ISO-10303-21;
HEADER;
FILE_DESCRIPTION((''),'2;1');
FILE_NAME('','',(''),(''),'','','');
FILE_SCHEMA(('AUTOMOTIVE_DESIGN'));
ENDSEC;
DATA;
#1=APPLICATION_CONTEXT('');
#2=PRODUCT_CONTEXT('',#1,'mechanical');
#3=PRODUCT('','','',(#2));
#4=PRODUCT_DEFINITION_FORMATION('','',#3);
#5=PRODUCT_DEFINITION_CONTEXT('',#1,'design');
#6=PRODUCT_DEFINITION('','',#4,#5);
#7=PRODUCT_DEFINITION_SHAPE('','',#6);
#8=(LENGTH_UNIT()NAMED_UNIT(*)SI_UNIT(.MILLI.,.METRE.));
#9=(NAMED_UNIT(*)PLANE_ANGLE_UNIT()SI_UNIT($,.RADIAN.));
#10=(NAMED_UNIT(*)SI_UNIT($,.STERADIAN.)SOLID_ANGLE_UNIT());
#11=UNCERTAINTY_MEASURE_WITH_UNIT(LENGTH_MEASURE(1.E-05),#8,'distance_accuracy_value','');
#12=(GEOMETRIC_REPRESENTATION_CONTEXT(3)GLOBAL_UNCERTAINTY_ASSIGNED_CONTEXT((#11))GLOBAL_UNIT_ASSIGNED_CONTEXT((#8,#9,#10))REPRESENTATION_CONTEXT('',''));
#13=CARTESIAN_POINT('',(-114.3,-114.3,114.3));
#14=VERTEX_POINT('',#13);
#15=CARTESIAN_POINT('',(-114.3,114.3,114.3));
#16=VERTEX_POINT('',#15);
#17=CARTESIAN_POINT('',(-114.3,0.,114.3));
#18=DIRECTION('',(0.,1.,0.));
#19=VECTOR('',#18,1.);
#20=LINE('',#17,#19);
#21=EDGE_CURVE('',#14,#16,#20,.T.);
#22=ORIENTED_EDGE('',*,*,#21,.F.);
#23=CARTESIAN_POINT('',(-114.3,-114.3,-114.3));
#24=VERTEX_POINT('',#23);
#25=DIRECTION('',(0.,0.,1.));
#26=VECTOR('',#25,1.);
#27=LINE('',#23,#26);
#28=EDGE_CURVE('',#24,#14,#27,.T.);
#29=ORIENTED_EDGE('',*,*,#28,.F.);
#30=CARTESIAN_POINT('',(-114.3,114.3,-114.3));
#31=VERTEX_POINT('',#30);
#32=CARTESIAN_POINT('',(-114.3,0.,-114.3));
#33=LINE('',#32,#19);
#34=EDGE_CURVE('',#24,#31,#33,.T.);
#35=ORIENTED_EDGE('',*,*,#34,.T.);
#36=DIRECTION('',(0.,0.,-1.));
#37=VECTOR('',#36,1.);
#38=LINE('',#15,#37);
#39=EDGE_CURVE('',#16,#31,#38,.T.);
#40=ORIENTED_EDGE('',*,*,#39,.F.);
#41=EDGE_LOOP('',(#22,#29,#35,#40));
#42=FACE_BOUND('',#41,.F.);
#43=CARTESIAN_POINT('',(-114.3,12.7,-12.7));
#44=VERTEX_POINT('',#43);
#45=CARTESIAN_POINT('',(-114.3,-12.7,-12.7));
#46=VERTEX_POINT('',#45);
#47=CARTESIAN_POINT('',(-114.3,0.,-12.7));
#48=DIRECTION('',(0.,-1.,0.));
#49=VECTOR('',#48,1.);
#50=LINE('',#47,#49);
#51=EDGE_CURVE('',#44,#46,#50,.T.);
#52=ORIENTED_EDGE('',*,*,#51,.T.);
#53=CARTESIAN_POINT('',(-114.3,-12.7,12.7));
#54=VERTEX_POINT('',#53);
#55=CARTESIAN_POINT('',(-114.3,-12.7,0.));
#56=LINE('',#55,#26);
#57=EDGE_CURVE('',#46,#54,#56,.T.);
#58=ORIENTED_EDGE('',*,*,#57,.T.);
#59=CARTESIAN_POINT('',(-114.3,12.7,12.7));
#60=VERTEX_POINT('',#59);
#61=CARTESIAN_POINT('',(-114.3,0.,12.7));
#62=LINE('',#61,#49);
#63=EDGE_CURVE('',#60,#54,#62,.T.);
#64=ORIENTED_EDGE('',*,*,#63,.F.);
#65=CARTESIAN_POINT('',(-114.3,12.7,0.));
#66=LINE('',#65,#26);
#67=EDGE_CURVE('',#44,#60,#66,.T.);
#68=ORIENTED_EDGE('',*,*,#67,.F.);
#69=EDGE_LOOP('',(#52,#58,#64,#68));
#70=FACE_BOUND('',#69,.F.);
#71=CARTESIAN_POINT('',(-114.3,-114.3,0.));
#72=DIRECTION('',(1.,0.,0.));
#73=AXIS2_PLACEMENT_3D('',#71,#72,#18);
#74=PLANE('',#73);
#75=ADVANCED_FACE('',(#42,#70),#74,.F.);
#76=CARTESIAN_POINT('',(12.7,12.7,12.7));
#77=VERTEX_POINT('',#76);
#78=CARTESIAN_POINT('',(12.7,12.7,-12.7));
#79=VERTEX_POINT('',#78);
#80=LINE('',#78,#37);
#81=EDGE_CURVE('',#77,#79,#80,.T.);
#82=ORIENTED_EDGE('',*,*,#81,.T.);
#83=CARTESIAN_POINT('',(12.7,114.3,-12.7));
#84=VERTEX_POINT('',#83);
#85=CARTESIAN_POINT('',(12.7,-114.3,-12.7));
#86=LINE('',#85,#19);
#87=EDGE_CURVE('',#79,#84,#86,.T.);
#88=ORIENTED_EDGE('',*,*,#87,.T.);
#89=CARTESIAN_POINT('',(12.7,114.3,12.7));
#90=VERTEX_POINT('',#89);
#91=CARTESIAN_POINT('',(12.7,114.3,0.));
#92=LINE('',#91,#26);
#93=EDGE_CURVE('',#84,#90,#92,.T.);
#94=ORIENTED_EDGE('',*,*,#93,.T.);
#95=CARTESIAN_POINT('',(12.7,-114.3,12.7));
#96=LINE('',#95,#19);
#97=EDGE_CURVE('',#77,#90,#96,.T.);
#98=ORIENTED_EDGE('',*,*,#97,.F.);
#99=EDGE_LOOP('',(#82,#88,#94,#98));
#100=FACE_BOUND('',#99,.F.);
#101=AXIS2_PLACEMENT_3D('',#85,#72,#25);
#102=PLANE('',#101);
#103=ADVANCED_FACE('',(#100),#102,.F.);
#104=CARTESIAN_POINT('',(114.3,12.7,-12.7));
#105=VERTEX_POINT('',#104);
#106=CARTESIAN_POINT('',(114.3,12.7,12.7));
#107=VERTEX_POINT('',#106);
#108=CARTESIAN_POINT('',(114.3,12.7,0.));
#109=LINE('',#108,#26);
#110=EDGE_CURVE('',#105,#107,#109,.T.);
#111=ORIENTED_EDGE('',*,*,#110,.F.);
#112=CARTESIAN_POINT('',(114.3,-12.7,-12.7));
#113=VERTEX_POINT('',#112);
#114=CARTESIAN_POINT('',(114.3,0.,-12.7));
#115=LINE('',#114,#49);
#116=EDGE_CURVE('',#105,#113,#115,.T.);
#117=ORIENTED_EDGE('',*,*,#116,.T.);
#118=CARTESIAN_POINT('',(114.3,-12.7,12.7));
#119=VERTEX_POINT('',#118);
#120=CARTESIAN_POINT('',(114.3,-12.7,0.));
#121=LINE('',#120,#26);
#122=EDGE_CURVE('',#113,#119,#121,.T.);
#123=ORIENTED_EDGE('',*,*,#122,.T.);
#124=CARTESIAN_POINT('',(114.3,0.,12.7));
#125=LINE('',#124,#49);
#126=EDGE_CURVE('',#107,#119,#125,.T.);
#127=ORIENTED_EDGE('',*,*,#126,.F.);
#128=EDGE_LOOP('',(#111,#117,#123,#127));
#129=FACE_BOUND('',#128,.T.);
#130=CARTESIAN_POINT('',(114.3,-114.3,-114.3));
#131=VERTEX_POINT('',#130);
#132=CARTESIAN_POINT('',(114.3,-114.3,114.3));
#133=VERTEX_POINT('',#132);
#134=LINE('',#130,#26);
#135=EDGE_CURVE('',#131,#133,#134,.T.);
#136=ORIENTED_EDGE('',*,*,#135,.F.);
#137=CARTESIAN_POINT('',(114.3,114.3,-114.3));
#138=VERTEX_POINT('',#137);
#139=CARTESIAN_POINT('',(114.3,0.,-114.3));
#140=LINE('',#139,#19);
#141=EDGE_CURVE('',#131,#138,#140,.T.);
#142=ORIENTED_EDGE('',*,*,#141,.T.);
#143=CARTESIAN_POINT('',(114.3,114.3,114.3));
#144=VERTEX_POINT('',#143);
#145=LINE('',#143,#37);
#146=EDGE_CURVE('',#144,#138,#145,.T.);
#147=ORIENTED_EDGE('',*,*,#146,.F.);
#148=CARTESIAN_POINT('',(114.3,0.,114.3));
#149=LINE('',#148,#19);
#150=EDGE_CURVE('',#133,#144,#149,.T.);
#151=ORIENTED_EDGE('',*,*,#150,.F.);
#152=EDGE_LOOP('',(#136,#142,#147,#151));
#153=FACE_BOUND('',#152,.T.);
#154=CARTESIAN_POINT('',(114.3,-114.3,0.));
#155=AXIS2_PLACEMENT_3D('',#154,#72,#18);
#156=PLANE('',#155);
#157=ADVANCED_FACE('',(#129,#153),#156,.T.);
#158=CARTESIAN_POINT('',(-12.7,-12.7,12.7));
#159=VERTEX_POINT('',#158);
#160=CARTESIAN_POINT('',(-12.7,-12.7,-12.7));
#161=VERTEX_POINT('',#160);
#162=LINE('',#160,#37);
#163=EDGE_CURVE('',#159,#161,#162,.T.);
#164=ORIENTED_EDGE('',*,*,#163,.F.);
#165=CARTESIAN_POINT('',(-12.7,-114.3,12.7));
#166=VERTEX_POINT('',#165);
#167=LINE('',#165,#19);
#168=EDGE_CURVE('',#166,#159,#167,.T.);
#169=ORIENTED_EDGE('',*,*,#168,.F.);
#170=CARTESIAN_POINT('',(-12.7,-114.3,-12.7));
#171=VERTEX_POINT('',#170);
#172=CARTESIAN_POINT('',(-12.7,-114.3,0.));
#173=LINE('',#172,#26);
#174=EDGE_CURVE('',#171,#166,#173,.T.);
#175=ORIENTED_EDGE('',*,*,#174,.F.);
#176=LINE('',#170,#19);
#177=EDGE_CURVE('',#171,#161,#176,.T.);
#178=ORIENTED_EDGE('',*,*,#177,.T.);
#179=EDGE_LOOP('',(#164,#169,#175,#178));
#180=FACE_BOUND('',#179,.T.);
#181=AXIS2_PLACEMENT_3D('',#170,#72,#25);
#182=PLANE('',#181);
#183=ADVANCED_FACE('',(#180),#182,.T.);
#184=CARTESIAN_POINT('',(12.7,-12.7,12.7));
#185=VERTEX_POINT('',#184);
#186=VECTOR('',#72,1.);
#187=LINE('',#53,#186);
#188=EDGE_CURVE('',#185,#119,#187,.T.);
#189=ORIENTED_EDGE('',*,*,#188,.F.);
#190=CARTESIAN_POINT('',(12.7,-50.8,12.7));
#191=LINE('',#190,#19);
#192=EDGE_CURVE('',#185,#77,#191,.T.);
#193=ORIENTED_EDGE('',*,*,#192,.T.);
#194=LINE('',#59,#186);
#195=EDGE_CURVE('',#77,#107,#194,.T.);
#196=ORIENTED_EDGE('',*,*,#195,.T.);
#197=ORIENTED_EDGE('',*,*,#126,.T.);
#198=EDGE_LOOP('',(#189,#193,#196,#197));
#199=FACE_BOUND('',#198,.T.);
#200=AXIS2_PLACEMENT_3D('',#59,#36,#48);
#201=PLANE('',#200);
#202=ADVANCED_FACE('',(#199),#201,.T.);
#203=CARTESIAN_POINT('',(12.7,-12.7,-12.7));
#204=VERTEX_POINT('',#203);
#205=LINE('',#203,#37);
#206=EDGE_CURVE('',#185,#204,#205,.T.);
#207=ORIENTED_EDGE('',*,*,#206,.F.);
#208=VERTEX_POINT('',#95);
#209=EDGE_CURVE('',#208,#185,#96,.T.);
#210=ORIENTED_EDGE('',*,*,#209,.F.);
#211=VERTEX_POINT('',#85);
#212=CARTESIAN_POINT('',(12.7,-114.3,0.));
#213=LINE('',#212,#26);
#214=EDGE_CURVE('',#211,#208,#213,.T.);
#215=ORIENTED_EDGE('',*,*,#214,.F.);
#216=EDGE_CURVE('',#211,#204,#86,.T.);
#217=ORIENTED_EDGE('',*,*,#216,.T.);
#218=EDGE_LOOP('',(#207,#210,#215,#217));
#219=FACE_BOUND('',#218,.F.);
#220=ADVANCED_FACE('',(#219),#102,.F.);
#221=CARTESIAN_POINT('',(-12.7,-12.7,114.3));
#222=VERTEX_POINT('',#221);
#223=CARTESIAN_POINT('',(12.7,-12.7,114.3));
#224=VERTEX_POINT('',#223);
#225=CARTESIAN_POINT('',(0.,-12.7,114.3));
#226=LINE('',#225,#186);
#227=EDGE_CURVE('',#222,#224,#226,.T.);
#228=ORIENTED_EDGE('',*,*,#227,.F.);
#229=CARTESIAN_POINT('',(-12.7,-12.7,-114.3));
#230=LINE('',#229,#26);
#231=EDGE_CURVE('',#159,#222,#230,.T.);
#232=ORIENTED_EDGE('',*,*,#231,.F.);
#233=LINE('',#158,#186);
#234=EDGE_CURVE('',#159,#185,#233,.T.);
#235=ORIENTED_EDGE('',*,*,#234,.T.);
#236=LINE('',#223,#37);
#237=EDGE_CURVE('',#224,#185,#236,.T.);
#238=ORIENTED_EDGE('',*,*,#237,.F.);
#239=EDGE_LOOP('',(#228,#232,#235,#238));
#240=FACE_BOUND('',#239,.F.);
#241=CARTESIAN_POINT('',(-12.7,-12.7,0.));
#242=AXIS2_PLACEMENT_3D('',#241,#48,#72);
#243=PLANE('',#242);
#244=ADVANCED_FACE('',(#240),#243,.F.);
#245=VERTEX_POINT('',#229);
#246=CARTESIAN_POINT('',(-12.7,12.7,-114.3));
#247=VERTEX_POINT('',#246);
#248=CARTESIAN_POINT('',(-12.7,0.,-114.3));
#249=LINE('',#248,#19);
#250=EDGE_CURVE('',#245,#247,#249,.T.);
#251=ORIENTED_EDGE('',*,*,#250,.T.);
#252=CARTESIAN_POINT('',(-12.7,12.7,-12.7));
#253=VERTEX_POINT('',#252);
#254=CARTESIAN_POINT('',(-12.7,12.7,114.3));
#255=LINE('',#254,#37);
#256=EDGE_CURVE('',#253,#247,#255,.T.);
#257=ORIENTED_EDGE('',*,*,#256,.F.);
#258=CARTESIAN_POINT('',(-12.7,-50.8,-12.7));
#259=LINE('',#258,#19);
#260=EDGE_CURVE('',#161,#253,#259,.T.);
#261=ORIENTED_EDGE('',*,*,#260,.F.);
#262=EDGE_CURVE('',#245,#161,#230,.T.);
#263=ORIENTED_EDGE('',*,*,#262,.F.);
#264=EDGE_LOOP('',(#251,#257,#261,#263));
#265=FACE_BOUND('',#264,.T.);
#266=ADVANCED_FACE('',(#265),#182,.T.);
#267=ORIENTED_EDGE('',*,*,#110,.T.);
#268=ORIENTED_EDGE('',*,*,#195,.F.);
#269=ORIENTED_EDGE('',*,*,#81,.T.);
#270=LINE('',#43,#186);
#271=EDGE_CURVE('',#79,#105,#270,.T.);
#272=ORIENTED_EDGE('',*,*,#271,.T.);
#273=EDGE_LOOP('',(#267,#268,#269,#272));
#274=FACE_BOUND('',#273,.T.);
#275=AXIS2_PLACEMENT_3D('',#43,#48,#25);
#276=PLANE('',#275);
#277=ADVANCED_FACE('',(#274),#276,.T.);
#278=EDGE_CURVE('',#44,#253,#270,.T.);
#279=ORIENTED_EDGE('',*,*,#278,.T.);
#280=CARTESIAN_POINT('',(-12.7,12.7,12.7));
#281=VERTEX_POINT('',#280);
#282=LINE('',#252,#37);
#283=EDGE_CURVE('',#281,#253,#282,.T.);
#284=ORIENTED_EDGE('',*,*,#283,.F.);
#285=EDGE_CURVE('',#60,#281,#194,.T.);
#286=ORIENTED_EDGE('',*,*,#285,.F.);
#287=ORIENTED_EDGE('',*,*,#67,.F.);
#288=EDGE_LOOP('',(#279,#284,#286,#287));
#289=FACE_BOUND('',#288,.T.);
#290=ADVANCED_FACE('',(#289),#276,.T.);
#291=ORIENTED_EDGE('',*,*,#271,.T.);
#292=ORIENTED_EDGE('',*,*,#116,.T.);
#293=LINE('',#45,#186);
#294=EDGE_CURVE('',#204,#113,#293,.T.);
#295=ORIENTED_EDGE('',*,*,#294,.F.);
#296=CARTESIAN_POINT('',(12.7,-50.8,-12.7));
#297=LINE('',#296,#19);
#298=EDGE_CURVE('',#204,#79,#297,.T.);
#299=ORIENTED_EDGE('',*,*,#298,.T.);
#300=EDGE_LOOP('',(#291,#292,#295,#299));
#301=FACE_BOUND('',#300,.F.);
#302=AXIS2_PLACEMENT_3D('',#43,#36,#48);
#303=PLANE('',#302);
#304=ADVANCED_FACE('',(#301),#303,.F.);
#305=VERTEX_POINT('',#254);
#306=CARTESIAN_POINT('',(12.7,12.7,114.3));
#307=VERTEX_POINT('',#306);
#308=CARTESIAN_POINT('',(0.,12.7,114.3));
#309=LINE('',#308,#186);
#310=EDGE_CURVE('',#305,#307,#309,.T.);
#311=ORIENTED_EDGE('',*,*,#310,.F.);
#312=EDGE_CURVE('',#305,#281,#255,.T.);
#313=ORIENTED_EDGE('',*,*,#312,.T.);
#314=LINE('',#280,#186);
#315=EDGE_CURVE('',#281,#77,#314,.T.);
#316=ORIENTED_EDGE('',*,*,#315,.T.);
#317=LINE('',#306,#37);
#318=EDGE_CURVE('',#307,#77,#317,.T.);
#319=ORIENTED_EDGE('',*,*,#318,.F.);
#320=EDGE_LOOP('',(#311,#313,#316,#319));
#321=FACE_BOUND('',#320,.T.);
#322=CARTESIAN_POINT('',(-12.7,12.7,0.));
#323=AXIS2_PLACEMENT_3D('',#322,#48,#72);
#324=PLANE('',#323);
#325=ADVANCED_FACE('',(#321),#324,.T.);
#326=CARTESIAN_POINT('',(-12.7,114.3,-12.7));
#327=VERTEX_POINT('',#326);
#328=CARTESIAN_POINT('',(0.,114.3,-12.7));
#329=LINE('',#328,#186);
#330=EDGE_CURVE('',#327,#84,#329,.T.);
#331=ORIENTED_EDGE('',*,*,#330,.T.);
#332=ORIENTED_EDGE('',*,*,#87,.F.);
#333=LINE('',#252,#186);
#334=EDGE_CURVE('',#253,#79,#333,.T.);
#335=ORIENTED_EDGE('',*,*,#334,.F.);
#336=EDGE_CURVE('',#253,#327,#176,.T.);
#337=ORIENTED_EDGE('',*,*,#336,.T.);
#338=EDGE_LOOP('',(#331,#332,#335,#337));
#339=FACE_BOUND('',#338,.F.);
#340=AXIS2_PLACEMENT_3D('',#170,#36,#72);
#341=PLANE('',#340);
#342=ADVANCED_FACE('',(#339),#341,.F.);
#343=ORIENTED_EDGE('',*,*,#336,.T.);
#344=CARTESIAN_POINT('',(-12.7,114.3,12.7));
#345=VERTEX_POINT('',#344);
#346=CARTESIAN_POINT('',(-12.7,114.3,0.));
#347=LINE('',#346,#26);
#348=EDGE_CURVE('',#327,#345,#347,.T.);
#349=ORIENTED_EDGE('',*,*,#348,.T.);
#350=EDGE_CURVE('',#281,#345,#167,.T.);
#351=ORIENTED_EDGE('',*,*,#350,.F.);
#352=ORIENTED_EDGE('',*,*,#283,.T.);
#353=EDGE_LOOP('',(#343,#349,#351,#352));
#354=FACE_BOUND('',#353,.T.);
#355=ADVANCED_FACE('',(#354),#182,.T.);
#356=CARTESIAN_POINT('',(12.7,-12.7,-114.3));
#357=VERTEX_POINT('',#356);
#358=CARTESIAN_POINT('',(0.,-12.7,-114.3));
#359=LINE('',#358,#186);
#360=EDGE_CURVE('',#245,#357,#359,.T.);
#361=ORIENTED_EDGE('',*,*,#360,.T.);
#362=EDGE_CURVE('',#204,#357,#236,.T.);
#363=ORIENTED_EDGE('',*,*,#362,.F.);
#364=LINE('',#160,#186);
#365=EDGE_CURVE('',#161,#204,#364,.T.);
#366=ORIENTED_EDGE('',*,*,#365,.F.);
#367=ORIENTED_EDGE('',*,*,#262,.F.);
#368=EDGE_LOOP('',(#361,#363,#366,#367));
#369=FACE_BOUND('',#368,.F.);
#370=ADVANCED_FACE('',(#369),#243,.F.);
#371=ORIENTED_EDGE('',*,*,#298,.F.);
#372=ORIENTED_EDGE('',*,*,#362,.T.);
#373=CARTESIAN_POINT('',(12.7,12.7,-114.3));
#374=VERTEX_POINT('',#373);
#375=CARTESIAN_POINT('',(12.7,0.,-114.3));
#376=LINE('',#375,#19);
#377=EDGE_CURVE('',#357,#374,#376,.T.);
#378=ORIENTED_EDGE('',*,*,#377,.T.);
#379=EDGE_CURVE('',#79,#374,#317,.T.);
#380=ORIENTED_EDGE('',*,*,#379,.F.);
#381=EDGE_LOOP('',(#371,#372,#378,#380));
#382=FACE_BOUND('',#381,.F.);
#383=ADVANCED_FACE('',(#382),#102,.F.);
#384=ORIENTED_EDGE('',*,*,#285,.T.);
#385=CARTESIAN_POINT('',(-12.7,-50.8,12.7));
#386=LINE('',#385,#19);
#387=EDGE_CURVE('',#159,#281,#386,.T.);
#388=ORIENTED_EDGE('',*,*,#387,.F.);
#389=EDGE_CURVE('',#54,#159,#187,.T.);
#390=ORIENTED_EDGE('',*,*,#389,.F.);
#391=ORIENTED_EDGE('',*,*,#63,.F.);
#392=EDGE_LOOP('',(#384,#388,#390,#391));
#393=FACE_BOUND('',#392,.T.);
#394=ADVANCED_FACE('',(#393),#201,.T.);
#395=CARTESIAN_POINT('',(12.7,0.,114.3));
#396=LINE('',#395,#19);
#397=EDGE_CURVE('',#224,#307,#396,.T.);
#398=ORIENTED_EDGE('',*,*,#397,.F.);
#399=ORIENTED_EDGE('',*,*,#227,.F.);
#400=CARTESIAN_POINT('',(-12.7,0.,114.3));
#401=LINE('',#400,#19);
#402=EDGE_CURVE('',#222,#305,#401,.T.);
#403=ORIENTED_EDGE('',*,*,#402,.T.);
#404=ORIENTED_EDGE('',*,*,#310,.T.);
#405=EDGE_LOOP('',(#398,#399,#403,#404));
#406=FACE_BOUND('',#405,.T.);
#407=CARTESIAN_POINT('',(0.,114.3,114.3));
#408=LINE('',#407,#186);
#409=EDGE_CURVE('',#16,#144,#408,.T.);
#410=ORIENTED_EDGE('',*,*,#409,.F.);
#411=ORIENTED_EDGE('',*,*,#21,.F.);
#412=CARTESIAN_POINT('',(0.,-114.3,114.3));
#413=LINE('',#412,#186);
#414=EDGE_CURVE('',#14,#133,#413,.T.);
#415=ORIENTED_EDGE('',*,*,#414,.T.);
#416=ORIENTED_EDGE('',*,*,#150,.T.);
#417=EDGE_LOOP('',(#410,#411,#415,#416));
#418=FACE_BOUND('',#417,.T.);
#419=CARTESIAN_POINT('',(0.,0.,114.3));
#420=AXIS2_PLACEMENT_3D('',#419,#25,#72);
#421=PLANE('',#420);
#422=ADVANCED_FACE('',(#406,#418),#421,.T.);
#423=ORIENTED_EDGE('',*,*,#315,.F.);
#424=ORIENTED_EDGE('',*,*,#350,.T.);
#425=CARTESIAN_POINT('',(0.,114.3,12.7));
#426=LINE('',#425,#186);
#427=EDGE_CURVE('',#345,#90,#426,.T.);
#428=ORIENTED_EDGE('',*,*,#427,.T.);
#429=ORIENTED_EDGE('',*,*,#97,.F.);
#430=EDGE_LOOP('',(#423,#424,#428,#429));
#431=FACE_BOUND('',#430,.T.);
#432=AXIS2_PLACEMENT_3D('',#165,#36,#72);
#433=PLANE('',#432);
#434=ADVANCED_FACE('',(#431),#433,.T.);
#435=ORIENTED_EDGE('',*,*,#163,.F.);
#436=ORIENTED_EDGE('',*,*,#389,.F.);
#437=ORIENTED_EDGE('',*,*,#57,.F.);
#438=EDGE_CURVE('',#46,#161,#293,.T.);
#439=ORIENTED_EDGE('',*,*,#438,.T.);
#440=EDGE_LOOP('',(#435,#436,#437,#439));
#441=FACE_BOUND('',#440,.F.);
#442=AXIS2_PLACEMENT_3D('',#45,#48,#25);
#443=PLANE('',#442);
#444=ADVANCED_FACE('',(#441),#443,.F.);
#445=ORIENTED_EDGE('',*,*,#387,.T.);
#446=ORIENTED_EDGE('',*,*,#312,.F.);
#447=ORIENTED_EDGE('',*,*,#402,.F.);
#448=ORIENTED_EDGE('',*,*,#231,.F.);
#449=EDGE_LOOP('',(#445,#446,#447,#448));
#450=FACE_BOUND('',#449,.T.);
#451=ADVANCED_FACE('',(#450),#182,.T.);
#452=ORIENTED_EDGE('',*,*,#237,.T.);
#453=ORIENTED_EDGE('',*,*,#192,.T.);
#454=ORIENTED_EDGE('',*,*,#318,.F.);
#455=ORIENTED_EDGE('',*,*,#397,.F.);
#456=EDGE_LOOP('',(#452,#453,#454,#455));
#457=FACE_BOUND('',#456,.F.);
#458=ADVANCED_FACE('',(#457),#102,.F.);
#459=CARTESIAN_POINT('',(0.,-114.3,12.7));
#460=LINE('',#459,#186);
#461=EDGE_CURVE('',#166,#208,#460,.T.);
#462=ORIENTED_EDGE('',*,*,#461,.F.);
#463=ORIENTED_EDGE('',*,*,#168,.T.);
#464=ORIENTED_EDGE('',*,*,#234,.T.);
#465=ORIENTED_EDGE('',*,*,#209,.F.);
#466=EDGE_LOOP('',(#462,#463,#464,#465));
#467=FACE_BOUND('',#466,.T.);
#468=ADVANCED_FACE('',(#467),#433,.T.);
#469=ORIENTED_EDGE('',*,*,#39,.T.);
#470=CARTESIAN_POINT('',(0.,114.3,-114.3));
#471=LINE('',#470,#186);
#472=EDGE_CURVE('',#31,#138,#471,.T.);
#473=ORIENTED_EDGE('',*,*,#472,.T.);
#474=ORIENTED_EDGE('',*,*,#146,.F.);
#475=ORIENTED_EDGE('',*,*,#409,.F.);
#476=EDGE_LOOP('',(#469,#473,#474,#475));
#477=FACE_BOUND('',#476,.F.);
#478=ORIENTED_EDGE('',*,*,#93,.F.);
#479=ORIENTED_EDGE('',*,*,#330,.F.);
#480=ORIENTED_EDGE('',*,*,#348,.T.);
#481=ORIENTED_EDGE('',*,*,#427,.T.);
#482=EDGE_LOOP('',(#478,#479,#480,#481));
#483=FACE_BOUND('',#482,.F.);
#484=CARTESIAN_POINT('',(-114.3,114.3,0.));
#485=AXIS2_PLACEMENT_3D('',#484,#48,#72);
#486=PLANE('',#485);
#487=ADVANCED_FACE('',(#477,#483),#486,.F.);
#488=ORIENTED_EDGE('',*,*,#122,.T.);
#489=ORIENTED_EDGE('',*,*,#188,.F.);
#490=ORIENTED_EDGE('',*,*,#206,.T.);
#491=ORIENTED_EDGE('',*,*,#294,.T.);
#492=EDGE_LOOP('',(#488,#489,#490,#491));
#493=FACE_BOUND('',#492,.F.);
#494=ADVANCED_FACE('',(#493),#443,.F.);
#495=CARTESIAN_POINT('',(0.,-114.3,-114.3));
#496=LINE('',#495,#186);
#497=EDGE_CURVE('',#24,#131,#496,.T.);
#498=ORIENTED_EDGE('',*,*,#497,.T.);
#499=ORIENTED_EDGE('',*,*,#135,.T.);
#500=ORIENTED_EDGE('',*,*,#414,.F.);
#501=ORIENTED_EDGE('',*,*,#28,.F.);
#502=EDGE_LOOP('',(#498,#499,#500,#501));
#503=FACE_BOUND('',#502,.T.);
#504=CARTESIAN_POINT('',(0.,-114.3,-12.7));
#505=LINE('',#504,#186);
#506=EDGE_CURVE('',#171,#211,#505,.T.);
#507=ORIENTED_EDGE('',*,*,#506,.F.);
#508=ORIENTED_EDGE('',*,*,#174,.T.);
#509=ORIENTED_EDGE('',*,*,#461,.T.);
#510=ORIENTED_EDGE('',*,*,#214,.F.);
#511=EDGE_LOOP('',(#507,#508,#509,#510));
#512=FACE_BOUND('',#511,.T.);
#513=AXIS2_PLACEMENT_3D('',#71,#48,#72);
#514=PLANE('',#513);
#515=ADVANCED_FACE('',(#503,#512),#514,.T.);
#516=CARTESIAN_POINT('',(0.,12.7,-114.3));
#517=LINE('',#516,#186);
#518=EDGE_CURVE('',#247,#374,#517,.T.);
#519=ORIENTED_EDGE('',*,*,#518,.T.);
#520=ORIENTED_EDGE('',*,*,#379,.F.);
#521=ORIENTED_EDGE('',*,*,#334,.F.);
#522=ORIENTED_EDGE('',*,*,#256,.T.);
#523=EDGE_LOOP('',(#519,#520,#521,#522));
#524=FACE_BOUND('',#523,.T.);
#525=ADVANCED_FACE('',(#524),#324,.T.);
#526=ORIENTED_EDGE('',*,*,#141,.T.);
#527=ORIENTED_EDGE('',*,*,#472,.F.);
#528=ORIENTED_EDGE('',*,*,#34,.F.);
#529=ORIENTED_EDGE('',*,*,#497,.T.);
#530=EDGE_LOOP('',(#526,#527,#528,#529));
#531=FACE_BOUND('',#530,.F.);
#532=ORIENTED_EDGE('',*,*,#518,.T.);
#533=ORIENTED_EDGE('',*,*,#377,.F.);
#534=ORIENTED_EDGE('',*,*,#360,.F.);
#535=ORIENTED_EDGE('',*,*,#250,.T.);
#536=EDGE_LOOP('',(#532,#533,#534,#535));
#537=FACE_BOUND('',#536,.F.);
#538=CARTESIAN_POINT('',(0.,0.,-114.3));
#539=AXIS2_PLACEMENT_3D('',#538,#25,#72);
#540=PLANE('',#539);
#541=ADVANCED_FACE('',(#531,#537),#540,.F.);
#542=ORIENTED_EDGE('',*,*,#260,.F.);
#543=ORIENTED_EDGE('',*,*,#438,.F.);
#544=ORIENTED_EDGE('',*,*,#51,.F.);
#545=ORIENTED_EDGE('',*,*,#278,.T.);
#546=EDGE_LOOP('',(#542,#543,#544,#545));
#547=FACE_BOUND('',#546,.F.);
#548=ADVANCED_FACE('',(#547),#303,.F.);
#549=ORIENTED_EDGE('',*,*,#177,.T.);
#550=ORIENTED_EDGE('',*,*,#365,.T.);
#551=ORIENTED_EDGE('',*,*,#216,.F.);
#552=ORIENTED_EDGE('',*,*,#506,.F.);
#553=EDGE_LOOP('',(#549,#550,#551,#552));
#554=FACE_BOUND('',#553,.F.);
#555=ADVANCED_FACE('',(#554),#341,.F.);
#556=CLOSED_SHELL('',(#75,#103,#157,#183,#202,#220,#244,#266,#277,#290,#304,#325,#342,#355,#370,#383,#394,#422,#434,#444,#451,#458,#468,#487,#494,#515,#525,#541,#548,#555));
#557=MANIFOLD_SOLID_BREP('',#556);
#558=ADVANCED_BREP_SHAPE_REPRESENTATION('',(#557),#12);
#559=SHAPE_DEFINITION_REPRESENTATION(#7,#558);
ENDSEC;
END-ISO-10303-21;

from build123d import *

# Parameters (mm, degrees)
F0_W     = 228.6
F0_H     = 228.6
F0_W_2   = 25.4
F0_H_2   = 25.4
F1_DEPTH = 114.3
F2_DEPTH = 114.3
F3_W     = 25.4
F3_H     = 25.4
F4_DEPTH = 228.6
F5_W     = 25.4
F5_H     = 25.4
F6_DEPTH = 228.6


with BuildPart() as f1:
    # F0 (on Top) → F1 (new body)
    with BuildSketch(Plane.XY):
        Rectangle(F0_W, F0_H)
        Rectangle(F0_W_2, F0_H_2, mode=Mode.SUBTRACT)
    extrude(amount=F1_DEPTH)

    # F0 (on Top) → F2 (join)
    with BuildSketch(Plane.XY):
        Rectangle(F0_W, F0_H)
        Rectangle(F0_W_2, F0_H_2, mode=Mode.SUBTRACT)
    extrude(amount=-F2_DEPTH)

    # F3 (on face) → F4 (cut)
    with BuildSketch(Plane.XZ.offset(114.3)):
        Rectangle(F3_W, F3_H)
    extrude(amount=-F4_DEPTH, mode=Mode.SUBTRACT)

    # F5 (on face) → F6 (cut)
    with BuildSketch(Plane(origin=(-114.3, 0, 0), x_dir=(0, -1, 0), z_dir=(-1, 0, 0))):
        Rectangle(F5_W, F5_H)
    extrude(amount=-F6_DEPTH, mode=Mode.SUBTRACT)


solid = f1.part
